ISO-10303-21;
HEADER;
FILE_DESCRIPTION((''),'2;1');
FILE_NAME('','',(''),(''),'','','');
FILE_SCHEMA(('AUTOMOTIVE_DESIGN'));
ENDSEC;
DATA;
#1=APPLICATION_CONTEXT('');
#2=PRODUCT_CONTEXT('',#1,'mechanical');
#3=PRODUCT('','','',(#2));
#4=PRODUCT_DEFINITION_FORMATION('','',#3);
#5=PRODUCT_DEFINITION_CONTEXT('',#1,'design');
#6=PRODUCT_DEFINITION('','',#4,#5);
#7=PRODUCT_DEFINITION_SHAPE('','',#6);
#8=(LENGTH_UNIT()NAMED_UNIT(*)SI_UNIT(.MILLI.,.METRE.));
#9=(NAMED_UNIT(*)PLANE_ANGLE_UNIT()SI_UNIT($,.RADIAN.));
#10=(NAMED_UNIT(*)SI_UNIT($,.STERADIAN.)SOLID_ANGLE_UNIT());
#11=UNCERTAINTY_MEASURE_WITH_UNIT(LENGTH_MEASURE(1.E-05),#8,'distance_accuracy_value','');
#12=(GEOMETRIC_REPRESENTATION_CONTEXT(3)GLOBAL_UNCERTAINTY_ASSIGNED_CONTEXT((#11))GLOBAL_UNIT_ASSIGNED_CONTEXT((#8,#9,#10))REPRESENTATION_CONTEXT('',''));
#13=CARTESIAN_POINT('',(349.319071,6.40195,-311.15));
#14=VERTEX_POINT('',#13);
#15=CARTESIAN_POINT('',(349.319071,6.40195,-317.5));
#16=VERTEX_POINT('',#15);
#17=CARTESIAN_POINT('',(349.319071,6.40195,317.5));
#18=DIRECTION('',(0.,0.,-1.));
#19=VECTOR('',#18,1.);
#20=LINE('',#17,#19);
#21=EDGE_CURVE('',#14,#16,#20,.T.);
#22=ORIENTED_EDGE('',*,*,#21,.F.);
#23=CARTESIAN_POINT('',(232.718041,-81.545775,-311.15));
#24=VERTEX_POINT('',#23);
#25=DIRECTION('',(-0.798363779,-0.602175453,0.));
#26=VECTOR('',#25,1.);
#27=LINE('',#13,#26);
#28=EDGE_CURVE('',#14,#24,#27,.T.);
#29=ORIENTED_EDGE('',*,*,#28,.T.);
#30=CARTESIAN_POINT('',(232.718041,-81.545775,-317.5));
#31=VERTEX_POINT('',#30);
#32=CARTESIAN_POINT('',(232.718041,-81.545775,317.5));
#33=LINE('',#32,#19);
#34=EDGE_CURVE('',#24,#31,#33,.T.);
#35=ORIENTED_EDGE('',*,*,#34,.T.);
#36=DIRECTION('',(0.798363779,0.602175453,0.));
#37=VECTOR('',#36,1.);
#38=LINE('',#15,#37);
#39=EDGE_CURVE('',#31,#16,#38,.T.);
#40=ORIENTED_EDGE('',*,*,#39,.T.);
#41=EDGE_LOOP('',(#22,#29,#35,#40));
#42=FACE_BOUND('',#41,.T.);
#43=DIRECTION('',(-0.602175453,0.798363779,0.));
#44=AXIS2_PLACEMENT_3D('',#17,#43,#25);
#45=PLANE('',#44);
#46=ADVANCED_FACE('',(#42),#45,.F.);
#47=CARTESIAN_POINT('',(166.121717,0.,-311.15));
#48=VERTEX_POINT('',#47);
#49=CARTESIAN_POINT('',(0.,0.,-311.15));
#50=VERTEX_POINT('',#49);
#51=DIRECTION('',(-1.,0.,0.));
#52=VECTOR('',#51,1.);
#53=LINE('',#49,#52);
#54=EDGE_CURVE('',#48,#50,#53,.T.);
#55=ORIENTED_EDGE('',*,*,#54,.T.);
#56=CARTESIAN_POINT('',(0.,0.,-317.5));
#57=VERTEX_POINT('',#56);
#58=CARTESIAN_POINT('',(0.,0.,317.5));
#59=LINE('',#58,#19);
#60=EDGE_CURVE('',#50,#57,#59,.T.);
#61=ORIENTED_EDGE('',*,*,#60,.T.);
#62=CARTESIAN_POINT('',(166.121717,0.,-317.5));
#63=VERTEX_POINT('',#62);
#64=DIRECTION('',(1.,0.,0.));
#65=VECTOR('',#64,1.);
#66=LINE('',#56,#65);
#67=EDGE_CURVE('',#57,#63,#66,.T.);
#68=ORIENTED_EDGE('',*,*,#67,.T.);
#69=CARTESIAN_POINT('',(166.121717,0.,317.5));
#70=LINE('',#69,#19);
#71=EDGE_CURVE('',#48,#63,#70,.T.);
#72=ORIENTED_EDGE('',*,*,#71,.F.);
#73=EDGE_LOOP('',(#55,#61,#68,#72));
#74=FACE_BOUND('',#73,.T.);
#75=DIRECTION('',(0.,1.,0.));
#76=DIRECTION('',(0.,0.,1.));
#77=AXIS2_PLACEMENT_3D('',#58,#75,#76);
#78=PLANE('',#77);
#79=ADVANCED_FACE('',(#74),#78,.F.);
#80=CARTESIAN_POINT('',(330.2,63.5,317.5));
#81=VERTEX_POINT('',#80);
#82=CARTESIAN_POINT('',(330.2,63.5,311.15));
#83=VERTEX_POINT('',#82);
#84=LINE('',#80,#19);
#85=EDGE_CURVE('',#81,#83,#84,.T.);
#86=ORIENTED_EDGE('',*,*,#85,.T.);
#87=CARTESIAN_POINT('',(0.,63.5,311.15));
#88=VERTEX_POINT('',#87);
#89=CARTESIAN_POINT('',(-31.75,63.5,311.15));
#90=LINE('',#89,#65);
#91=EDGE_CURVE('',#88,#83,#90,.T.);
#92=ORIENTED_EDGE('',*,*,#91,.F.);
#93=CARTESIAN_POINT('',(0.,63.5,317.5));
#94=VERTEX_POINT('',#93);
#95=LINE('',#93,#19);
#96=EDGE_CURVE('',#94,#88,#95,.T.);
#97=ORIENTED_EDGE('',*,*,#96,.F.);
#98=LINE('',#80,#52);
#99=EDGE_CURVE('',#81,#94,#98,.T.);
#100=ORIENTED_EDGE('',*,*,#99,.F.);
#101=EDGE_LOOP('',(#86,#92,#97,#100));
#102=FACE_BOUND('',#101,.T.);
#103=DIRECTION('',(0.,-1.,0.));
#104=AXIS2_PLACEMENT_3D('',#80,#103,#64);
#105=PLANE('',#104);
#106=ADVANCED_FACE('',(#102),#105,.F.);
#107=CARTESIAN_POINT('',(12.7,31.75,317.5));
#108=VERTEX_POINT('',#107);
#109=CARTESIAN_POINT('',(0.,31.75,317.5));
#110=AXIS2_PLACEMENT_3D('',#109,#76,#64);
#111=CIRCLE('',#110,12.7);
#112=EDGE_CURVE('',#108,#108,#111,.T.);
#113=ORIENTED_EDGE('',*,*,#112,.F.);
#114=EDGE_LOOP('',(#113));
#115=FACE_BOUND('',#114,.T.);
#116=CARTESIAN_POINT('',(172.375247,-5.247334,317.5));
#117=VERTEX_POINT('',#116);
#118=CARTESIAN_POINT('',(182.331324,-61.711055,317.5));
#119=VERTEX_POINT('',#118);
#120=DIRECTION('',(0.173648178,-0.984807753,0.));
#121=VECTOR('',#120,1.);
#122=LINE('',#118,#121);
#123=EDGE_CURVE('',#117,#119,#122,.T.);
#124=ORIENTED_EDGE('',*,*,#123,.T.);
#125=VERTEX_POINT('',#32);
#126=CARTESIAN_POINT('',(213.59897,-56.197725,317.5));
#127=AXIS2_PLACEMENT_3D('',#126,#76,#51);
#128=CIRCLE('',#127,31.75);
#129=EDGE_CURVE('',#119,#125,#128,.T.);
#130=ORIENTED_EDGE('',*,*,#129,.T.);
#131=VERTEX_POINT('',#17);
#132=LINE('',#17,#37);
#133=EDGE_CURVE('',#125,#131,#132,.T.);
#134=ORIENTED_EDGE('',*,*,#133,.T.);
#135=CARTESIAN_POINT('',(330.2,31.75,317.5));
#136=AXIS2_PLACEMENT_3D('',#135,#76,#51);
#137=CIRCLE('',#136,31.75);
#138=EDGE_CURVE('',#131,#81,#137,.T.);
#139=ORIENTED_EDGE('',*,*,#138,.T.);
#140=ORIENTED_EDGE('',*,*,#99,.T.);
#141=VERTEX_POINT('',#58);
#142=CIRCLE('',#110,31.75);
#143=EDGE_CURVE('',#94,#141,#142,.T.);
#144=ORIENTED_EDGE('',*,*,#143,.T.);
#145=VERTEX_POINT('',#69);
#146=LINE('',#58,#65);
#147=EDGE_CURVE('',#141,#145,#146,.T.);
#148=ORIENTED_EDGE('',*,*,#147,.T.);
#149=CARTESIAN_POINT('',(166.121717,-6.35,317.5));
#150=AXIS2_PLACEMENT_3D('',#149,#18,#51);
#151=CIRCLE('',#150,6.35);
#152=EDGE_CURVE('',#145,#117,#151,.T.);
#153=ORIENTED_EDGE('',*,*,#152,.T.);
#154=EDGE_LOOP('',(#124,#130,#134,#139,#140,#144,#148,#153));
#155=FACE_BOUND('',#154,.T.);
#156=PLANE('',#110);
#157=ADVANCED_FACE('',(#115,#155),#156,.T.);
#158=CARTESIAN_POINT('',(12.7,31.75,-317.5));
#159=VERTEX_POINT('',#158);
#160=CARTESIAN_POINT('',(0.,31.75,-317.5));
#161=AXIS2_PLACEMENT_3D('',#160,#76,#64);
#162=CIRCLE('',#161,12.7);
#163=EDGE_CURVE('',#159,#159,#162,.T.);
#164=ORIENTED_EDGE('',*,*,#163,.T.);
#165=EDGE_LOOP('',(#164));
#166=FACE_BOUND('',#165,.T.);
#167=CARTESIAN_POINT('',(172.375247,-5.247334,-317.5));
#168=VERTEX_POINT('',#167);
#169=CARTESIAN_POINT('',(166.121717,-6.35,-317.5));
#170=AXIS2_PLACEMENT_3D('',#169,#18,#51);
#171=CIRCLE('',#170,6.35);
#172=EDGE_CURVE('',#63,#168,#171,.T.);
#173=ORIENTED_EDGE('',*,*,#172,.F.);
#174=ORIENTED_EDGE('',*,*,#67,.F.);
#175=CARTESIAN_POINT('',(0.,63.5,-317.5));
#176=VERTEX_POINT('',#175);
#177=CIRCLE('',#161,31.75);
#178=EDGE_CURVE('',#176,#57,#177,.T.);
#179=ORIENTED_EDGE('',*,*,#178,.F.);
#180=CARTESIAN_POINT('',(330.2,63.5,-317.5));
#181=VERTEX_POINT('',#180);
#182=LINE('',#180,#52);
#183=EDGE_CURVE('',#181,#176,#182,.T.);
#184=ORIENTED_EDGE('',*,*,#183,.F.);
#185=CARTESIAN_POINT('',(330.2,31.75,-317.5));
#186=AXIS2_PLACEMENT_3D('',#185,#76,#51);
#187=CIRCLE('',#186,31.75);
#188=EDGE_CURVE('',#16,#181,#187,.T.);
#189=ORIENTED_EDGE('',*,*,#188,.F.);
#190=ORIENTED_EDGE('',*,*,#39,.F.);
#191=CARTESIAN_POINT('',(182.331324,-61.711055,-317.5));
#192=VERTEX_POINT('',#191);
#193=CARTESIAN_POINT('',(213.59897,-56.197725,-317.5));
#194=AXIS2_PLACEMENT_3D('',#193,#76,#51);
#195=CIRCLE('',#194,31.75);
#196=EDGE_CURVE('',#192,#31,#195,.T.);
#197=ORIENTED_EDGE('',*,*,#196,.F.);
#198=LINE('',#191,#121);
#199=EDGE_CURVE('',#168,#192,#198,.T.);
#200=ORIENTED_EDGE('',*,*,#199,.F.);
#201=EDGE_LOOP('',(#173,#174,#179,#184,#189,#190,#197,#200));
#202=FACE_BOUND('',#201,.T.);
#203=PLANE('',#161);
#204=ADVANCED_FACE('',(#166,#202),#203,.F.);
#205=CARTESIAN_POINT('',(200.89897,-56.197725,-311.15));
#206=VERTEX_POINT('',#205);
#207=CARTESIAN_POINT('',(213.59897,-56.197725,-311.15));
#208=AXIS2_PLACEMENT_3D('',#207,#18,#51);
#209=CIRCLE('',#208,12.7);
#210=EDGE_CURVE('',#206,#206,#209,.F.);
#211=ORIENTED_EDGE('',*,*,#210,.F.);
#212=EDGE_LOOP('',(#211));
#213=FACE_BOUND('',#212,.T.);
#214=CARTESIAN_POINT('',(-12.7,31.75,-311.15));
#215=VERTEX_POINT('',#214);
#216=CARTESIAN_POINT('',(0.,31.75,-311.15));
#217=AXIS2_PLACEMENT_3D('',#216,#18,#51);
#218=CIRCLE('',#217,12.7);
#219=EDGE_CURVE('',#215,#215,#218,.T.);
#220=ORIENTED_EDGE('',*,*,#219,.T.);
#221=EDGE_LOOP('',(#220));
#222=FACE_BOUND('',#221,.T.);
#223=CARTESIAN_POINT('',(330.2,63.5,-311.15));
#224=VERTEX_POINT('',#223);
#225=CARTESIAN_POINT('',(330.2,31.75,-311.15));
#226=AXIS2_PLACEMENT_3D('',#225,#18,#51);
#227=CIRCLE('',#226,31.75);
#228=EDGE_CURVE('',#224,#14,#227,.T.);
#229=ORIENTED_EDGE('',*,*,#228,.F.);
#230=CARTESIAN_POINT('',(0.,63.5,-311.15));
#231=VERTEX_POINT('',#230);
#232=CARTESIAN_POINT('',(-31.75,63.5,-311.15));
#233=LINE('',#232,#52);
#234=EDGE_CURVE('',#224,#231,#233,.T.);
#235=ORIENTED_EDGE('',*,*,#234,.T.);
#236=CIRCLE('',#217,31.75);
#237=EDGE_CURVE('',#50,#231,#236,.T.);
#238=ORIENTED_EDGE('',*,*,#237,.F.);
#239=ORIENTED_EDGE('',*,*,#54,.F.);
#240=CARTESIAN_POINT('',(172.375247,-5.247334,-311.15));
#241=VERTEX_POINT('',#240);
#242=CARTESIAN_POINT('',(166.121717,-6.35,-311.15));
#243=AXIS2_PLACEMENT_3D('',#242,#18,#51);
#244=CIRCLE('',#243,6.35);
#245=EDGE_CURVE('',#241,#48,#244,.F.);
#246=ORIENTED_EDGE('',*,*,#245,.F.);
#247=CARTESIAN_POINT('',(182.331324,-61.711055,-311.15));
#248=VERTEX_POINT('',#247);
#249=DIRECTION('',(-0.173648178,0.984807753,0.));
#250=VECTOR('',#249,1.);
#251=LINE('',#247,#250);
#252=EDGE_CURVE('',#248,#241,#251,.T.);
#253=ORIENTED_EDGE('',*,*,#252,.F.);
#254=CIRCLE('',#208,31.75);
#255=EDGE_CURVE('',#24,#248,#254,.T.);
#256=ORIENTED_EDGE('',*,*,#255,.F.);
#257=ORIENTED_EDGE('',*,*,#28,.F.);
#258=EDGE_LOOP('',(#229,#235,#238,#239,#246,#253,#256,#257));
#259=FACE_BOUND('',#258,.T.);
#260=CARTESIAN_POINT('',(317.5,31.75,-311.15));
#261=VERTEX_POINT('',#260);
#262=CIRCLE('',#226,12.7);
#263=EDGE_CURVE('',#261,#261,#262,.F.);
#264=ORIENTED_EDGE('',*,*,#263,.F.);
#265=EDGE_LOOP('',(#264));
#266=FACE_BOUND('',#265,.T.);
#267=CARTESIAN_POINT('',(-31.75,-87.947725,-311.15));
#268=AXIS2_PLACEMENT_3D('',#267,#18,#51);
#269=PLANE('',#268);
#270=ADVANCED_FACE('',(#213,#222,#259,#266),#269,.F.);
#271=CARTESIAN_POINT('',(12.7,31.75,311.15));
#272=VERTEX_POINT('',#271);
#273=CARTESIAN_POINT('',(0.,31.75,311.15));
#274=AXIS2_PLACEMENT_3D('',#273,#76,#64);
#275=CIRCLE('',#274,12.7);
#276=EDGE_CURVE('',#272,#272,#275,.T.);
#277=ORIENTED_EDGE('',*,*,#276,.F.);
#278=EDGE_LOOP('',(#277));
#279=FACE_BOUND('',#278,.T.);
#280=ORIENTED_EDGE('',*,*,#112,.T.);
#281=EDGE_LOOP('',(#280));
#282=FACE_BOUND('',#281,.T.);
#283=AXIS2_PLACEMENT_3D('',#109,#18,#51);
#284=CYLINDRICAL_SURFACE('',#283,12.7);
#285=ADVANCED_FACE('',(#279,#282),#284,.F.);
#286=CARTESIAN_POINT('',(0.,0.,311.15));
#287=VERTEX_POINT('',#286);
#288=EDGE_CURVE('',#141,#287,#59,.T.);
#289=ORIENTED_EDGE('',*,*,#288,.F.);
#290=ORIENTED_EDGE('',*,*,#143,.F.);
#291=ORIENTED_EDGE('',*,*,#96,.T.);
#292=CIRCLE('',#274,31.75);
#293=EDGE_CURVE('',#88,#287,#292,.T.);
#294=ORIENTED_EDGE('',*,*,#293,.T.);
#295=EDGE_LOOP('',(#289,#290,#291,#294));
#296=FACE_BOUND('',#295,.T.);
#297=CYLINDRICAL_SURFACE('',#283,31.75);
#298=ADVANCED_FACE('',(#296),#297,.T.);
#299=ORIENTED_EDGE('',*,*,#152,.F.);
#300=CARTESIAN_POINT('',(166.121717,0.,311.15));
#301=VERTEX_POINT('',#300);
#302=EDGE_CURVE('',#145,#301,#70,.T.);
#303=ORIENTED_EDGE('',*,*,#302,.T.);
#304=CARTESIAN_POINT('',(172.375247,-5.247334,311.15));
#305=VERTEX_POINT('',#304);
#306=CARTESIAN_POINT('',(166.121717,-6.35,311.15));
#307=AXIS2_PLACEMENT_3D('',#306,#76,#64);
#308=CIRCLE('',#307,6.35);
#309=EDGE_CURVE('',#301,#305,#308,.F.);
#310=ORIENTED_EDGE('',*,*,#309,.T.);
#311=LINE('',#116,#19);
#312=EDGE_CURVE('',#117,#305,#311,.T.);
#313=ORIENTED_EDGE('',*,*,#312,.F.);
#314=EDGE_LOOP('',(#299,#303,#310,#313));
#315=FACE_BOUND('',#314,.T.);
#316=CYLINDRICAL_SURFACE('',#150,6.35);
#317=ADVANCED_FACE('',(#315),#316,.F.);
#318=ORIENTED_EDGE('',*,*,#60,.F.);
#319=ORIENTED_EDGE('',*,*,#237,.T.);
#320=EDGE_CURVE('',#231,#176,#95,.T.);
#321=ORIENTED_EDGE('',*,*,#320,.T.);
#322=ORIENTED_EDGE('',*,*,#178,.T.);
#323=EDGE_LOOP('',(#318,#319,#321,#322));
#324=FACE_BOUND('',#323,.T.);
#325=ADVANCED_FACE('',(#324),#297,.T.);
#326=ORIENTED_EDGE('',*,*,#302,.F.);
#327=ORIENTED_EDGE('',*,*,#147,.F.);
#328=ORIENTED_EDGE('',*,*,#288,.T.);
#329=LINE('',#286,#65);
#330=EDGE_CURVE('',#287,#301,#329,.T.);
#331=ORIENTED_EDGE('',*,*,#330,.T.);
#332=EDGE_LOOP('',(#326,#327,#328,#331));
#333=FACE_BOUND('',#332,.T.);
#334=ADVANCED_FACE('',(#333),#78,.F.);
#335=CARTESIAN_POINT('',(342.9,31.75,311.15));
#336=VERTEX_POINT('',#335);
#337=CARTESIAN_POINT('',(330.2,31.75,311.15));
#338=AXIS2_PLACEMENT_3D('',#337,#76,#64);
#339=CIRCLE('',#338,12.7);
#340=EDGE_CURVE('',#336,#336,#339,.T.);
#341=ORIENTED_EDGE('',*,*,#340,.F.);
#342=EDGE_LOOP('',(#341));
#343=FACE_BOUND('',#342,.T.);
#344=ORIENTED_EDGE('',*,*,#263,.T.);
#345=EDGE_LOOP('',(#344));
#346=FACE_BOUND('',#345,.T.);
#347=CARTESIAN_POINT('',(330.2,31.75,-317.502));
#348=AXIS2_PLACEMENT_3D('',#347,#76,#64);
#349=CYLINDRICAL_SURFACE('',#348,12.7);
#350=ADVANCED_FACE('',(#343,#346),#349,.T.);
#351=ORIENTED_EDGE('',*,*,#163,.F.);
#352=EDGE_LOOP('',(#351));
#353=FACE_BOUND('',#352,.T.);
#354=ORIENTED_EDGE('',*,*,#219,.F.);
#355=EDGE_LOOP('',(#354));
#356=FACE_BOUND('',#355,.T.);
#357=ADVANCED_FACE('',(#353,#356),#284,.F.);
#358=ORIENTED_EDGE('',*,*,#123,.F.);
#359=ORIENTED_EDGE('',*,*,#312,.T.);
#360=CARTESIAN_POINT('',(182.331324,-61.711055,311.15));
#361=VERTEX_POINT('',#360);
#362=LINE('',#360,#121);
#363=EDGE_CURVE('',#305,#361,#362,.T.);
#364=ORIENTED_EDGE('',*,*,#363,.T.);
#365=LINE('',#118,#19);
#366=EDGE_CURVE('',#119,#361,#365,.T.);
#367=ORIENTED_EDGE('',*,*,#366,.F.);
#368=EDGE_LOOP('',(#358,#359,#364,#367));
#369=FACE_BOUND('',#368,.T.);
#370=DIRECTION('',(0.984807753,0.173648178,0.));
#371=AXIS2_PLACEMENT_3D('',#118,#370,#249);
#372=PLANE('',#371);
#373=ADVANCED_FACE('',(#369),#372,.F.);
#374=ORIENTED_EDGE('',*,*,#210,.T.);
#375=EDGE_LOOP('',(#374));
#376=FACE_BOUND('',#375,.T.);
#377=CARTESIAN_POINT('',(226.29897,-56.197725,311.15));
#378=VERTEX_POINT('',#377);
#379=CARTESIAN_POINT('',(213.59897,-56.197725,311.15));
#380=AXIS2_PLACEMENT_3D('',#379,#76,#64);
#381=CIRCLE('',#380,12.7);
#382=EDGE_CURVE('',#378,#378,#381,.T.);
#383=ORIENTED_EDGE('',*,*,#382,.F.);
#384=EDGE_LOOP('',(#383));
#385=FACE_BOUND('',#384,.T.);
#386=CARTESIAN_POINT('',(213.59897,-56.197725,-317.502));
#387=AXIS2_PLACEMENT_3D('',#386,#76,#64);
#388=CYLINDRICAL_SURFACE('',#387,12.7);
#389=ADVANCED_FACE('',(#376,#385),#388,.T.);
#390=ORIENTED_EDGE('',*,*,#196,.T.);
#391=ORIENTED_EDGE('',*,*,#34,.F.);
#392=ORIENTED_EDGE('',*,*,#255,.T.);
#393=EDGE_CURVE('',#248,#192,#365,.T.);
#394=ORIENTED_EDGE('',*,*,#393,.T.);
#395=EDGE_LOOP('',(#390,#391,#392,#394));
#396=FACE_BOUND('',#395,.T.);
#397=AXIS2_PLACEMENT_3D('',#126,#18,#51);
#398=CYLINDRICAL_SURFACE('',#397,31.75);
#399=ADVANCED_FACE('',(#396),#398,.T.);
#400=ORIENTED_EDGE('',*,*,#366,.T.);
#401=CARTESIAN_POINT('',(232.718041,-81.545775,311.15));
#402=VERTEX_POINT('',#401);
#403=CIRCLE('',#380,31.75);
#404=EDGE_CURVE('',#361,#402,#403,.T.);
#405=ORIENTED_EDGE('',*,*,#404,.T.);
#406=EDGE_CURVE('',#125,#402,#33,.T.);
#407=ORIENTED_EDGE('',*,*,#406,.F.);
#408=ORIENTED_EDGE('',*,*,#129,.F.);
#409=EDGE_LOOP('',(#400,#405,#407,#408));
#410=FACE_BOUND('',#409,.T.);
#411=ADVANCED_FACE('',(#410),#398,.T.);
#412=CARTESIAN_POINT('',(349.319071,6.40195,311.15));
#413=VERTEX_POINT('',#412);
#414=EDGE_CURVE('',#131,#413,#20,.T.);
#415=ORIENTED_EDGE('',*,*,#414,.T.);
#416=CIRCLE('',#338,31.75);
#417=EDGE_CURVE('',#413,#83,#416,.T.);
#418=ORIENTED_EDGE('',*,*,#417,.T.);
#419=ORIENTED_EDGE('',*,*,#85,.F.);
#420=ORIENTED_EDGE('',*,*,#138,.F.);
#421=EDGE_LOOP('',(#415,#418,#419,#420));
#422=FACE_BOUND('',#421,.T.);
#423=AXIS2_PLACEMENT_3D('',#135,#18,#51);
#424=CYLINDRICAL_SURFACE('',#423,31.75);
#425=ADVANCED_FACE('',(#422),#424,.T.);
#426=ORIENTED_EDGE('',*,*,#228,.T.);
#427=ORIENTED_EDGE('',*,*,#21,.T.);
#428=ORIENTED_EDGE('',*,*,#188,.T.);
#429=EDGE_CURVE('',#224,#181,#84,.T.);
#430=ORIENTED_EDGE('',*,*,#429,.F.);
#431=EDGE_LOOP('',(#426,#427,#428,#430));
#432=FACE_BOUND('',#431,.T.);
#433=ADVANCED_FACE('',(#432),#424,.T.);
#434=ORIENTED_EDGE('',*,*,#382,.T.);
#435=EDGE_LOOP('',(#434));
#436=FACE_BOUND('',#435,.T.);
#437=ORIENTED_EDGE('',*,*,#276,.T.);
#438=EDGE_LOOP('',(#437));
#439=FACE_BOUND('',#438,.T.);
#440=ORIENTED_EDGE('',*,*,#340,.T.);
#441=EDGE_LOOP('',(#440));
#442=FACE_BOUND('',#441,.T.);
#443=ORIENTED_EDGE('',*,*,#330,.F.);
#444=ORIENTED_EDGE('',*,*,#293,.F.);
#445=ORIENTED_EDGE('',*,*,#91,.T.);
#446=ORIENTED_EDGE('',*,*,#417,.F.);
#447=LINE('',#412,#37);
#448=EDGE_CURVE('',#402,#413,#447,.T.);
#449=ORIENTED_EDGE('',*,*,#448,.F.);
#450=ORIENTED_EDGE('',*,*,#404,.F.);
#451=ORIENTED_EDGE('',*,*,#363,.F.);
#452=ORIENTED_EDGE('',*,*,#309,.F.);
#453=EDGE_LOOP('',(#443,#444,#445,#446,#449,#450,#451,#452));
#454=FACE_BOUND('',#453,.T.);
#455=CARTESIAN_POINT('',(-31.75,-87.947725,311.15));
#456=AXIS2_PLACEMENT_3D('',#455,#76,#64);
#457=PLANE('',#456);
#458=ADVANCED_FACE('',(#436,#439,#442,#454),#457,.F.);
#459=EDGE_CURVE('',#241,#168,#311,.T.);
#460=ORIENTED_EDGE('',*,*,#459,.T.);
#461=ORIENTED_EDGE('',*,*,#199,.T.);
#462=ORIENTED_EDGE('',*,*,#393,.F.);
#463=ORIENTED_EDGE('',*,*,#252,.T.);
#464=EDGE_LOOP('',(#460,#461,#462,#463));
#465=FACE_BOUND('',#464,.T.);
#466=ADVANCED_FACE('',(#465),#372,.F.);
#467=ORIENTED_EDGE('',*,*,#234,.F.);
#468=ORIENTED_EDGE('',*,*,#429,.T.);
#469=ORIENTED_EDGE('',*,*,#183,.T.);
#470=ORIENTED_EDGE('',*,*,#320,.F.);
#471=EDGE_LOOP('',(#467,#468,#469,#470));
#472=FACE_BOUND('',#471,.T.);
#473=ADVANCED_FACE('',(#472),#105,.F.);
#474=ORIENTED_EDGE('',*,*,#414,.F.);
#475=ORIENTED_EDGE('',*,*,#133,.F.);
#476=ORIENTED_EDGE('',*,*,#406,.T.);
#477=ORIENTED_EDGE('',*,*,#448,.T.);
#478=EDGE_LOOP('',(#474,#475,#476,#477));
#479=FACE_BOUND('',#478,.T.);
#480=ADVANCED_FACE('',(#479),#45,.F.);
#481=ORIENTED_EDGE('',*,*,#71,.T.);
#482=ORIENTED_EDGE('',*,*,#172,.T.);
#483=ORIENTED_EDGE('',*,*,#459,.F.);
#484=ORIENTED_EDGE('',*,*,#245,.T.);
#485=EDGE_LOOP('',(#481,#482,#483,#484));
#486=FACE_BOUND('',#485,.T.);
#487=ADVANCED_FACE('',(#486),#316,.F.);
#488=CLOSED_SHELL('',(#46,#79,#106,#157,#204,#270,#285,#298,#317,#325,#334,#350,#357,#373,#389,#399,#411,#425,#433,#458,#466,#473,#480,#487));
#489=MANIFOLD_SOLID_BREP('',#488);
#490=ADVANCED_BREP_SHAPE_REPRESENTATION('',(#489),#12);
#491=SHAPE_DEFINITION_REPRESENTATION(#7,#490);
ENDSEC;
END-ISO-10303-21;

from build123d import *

# Parameters (mm, degrees)
SKETCH1_R                       = 12.7
BOSS_EXTRUDE1_DEPTH             = 317.5
SKETCH2_W                       = 393.7
SKETCH2_H                       = 622.3
CUT_EXTRUDE1_DEPTH              = 152.447724951
BOSS_EXTRUDE2_REACH             = 319.5
SKETCH3_R                       = 12.7
BOSS_EXTRUDE2_DIRECTION_2_REACH = 319.5


with BuildPart() as part:
    # Sketch1 → Boss-Extrude1 (new body, symmetric)
    with BuildSketch(Plane.XY):
        with BuildLine():
            Line((0, 0), (166.121717342, 0))
            ThreePointArc((166.121717342, 0), (170.203418664, -1.485617786), (172.375246574, -5.247334072))
            Line((172.375246574, -5.247334072), (182.331323933, -61.711054592))
            ThreePointArc((182.331323933, -61.711054592), (201.969223554, -85.741108229), (232.718040732, -81.545774931))
            Line((232.718040732, -81.545774931), (349.319070642, 6.40195002))
            ThreePointArc((349.319070642, 6.40195002), (360.307001568, 41.83121801), (330.2, 63.5))
            Line((330.2, 63.5), (0, 63.5))
            ThreePointArc((0, 63.5), (-31.75, 31.75), (0, 0))
        make_face()
        with Locations((0, 31.75)):
            Circle(SKETCH1_R, mode=Mode.SUBTRACT)
    extrude(amount=BOSS_EXTRUDE1_DEPTH, both=True)

    # Sketch2 → Cut-Extrude1 (cut, through all)
    with BuildSketch(Plane(origin=(0, 63.5, 0), x_dir=(1, 0, 0), z_dir=(0, 1, 0))):
        with Locations((165.1, 0)):
            Rectangle(SKETCH2_W, SKETCH2_H)
    extrude(amount=-CUT_EXTRUDE1_DEPTH, mode=Mode.SUBTRACT)

    # Sketch3 → Boss-Extrude2 (add, up to next)
    with BuildSketch(Plane.XY, mode=Mode.PRIVATE) as boss_extrude2_sk1:
        with Locations((330.2, 31.75)):
            Circle(SKETCH3_R)
    boss_extrude2_tool1 = extrude(boss_extrude2_sk1.sketch, amount=BOSS_EXTRUDE2_REACH, mode=Mode.PRIVATE) - part.part
    add(boss_extrude2_tool1.solids().sort_by_distance((330.2, 31.75, 0))[0])
    # Sketch3 → Boss-Extrude2 (add, up to next)
    with BuildSketch(Plane.XY, mode=Mode.PRIVATE) as boss_extrude2_sk2:
        with Locations((213.598970091, -56.197724951)):
            Circle(SKETCH3_R)
    boss_extrude2_tool2 = extrude(boss_extrude2_sk2.sketch, amount=BOSS_EXTRUDE2_REACH, mode=Mode.PRIVATE) - part.part
    add(boss_extrude2_tool2.solids().sort_by_distance((213.59897, -56.197725, 0))[0])

    # Sketch3 → Boss-Extrude2 direction 2 (add, up to next)
    with BuildSketch(Plane.XY, mode=Mode.PRIVATE) as boss_extrude2_direction_2_sk1:
        with Locations((330.2, 31.75)):
            Circle(SKETCH3_R)
    boss_extrude2_direction_2_tool1 = extrude(boss_extrude2_direction_2_sk1.sketch, amount=-BOSS_EXTRUDE2_DIRECTION_2_REACH, mode=Mode.PRIVATE) - part.part
    add(boss_extrude2_direction_2_tool1.solids().sort_by_distance((330.2, 31.75, 0))[0])
    # Sketch3 → Boss-Extrude2 direction 2 (add, up to next)
    with BuildSketch(Plane.XY, mode=Mode.PRIVATE) as boss_extrude2_direction_2_sk2:
        with Locations((213.598970091, -56.197724951)):
            Circle(SKETCH3_R)
    boss_extrude2_direction_2_tool2 = extrude(boss_extrude2_direction_2_sk2.sketch, amount=-BOSS_EXTRUDE2_DIRECTION_2_REACH, mode=Mode.PRIVATE) - part.part
    add(boss_extrude2_direction_2_tool2.solids().sort_by_distance((213.59897, -56.197725, 0))[0])


solid = part.part
